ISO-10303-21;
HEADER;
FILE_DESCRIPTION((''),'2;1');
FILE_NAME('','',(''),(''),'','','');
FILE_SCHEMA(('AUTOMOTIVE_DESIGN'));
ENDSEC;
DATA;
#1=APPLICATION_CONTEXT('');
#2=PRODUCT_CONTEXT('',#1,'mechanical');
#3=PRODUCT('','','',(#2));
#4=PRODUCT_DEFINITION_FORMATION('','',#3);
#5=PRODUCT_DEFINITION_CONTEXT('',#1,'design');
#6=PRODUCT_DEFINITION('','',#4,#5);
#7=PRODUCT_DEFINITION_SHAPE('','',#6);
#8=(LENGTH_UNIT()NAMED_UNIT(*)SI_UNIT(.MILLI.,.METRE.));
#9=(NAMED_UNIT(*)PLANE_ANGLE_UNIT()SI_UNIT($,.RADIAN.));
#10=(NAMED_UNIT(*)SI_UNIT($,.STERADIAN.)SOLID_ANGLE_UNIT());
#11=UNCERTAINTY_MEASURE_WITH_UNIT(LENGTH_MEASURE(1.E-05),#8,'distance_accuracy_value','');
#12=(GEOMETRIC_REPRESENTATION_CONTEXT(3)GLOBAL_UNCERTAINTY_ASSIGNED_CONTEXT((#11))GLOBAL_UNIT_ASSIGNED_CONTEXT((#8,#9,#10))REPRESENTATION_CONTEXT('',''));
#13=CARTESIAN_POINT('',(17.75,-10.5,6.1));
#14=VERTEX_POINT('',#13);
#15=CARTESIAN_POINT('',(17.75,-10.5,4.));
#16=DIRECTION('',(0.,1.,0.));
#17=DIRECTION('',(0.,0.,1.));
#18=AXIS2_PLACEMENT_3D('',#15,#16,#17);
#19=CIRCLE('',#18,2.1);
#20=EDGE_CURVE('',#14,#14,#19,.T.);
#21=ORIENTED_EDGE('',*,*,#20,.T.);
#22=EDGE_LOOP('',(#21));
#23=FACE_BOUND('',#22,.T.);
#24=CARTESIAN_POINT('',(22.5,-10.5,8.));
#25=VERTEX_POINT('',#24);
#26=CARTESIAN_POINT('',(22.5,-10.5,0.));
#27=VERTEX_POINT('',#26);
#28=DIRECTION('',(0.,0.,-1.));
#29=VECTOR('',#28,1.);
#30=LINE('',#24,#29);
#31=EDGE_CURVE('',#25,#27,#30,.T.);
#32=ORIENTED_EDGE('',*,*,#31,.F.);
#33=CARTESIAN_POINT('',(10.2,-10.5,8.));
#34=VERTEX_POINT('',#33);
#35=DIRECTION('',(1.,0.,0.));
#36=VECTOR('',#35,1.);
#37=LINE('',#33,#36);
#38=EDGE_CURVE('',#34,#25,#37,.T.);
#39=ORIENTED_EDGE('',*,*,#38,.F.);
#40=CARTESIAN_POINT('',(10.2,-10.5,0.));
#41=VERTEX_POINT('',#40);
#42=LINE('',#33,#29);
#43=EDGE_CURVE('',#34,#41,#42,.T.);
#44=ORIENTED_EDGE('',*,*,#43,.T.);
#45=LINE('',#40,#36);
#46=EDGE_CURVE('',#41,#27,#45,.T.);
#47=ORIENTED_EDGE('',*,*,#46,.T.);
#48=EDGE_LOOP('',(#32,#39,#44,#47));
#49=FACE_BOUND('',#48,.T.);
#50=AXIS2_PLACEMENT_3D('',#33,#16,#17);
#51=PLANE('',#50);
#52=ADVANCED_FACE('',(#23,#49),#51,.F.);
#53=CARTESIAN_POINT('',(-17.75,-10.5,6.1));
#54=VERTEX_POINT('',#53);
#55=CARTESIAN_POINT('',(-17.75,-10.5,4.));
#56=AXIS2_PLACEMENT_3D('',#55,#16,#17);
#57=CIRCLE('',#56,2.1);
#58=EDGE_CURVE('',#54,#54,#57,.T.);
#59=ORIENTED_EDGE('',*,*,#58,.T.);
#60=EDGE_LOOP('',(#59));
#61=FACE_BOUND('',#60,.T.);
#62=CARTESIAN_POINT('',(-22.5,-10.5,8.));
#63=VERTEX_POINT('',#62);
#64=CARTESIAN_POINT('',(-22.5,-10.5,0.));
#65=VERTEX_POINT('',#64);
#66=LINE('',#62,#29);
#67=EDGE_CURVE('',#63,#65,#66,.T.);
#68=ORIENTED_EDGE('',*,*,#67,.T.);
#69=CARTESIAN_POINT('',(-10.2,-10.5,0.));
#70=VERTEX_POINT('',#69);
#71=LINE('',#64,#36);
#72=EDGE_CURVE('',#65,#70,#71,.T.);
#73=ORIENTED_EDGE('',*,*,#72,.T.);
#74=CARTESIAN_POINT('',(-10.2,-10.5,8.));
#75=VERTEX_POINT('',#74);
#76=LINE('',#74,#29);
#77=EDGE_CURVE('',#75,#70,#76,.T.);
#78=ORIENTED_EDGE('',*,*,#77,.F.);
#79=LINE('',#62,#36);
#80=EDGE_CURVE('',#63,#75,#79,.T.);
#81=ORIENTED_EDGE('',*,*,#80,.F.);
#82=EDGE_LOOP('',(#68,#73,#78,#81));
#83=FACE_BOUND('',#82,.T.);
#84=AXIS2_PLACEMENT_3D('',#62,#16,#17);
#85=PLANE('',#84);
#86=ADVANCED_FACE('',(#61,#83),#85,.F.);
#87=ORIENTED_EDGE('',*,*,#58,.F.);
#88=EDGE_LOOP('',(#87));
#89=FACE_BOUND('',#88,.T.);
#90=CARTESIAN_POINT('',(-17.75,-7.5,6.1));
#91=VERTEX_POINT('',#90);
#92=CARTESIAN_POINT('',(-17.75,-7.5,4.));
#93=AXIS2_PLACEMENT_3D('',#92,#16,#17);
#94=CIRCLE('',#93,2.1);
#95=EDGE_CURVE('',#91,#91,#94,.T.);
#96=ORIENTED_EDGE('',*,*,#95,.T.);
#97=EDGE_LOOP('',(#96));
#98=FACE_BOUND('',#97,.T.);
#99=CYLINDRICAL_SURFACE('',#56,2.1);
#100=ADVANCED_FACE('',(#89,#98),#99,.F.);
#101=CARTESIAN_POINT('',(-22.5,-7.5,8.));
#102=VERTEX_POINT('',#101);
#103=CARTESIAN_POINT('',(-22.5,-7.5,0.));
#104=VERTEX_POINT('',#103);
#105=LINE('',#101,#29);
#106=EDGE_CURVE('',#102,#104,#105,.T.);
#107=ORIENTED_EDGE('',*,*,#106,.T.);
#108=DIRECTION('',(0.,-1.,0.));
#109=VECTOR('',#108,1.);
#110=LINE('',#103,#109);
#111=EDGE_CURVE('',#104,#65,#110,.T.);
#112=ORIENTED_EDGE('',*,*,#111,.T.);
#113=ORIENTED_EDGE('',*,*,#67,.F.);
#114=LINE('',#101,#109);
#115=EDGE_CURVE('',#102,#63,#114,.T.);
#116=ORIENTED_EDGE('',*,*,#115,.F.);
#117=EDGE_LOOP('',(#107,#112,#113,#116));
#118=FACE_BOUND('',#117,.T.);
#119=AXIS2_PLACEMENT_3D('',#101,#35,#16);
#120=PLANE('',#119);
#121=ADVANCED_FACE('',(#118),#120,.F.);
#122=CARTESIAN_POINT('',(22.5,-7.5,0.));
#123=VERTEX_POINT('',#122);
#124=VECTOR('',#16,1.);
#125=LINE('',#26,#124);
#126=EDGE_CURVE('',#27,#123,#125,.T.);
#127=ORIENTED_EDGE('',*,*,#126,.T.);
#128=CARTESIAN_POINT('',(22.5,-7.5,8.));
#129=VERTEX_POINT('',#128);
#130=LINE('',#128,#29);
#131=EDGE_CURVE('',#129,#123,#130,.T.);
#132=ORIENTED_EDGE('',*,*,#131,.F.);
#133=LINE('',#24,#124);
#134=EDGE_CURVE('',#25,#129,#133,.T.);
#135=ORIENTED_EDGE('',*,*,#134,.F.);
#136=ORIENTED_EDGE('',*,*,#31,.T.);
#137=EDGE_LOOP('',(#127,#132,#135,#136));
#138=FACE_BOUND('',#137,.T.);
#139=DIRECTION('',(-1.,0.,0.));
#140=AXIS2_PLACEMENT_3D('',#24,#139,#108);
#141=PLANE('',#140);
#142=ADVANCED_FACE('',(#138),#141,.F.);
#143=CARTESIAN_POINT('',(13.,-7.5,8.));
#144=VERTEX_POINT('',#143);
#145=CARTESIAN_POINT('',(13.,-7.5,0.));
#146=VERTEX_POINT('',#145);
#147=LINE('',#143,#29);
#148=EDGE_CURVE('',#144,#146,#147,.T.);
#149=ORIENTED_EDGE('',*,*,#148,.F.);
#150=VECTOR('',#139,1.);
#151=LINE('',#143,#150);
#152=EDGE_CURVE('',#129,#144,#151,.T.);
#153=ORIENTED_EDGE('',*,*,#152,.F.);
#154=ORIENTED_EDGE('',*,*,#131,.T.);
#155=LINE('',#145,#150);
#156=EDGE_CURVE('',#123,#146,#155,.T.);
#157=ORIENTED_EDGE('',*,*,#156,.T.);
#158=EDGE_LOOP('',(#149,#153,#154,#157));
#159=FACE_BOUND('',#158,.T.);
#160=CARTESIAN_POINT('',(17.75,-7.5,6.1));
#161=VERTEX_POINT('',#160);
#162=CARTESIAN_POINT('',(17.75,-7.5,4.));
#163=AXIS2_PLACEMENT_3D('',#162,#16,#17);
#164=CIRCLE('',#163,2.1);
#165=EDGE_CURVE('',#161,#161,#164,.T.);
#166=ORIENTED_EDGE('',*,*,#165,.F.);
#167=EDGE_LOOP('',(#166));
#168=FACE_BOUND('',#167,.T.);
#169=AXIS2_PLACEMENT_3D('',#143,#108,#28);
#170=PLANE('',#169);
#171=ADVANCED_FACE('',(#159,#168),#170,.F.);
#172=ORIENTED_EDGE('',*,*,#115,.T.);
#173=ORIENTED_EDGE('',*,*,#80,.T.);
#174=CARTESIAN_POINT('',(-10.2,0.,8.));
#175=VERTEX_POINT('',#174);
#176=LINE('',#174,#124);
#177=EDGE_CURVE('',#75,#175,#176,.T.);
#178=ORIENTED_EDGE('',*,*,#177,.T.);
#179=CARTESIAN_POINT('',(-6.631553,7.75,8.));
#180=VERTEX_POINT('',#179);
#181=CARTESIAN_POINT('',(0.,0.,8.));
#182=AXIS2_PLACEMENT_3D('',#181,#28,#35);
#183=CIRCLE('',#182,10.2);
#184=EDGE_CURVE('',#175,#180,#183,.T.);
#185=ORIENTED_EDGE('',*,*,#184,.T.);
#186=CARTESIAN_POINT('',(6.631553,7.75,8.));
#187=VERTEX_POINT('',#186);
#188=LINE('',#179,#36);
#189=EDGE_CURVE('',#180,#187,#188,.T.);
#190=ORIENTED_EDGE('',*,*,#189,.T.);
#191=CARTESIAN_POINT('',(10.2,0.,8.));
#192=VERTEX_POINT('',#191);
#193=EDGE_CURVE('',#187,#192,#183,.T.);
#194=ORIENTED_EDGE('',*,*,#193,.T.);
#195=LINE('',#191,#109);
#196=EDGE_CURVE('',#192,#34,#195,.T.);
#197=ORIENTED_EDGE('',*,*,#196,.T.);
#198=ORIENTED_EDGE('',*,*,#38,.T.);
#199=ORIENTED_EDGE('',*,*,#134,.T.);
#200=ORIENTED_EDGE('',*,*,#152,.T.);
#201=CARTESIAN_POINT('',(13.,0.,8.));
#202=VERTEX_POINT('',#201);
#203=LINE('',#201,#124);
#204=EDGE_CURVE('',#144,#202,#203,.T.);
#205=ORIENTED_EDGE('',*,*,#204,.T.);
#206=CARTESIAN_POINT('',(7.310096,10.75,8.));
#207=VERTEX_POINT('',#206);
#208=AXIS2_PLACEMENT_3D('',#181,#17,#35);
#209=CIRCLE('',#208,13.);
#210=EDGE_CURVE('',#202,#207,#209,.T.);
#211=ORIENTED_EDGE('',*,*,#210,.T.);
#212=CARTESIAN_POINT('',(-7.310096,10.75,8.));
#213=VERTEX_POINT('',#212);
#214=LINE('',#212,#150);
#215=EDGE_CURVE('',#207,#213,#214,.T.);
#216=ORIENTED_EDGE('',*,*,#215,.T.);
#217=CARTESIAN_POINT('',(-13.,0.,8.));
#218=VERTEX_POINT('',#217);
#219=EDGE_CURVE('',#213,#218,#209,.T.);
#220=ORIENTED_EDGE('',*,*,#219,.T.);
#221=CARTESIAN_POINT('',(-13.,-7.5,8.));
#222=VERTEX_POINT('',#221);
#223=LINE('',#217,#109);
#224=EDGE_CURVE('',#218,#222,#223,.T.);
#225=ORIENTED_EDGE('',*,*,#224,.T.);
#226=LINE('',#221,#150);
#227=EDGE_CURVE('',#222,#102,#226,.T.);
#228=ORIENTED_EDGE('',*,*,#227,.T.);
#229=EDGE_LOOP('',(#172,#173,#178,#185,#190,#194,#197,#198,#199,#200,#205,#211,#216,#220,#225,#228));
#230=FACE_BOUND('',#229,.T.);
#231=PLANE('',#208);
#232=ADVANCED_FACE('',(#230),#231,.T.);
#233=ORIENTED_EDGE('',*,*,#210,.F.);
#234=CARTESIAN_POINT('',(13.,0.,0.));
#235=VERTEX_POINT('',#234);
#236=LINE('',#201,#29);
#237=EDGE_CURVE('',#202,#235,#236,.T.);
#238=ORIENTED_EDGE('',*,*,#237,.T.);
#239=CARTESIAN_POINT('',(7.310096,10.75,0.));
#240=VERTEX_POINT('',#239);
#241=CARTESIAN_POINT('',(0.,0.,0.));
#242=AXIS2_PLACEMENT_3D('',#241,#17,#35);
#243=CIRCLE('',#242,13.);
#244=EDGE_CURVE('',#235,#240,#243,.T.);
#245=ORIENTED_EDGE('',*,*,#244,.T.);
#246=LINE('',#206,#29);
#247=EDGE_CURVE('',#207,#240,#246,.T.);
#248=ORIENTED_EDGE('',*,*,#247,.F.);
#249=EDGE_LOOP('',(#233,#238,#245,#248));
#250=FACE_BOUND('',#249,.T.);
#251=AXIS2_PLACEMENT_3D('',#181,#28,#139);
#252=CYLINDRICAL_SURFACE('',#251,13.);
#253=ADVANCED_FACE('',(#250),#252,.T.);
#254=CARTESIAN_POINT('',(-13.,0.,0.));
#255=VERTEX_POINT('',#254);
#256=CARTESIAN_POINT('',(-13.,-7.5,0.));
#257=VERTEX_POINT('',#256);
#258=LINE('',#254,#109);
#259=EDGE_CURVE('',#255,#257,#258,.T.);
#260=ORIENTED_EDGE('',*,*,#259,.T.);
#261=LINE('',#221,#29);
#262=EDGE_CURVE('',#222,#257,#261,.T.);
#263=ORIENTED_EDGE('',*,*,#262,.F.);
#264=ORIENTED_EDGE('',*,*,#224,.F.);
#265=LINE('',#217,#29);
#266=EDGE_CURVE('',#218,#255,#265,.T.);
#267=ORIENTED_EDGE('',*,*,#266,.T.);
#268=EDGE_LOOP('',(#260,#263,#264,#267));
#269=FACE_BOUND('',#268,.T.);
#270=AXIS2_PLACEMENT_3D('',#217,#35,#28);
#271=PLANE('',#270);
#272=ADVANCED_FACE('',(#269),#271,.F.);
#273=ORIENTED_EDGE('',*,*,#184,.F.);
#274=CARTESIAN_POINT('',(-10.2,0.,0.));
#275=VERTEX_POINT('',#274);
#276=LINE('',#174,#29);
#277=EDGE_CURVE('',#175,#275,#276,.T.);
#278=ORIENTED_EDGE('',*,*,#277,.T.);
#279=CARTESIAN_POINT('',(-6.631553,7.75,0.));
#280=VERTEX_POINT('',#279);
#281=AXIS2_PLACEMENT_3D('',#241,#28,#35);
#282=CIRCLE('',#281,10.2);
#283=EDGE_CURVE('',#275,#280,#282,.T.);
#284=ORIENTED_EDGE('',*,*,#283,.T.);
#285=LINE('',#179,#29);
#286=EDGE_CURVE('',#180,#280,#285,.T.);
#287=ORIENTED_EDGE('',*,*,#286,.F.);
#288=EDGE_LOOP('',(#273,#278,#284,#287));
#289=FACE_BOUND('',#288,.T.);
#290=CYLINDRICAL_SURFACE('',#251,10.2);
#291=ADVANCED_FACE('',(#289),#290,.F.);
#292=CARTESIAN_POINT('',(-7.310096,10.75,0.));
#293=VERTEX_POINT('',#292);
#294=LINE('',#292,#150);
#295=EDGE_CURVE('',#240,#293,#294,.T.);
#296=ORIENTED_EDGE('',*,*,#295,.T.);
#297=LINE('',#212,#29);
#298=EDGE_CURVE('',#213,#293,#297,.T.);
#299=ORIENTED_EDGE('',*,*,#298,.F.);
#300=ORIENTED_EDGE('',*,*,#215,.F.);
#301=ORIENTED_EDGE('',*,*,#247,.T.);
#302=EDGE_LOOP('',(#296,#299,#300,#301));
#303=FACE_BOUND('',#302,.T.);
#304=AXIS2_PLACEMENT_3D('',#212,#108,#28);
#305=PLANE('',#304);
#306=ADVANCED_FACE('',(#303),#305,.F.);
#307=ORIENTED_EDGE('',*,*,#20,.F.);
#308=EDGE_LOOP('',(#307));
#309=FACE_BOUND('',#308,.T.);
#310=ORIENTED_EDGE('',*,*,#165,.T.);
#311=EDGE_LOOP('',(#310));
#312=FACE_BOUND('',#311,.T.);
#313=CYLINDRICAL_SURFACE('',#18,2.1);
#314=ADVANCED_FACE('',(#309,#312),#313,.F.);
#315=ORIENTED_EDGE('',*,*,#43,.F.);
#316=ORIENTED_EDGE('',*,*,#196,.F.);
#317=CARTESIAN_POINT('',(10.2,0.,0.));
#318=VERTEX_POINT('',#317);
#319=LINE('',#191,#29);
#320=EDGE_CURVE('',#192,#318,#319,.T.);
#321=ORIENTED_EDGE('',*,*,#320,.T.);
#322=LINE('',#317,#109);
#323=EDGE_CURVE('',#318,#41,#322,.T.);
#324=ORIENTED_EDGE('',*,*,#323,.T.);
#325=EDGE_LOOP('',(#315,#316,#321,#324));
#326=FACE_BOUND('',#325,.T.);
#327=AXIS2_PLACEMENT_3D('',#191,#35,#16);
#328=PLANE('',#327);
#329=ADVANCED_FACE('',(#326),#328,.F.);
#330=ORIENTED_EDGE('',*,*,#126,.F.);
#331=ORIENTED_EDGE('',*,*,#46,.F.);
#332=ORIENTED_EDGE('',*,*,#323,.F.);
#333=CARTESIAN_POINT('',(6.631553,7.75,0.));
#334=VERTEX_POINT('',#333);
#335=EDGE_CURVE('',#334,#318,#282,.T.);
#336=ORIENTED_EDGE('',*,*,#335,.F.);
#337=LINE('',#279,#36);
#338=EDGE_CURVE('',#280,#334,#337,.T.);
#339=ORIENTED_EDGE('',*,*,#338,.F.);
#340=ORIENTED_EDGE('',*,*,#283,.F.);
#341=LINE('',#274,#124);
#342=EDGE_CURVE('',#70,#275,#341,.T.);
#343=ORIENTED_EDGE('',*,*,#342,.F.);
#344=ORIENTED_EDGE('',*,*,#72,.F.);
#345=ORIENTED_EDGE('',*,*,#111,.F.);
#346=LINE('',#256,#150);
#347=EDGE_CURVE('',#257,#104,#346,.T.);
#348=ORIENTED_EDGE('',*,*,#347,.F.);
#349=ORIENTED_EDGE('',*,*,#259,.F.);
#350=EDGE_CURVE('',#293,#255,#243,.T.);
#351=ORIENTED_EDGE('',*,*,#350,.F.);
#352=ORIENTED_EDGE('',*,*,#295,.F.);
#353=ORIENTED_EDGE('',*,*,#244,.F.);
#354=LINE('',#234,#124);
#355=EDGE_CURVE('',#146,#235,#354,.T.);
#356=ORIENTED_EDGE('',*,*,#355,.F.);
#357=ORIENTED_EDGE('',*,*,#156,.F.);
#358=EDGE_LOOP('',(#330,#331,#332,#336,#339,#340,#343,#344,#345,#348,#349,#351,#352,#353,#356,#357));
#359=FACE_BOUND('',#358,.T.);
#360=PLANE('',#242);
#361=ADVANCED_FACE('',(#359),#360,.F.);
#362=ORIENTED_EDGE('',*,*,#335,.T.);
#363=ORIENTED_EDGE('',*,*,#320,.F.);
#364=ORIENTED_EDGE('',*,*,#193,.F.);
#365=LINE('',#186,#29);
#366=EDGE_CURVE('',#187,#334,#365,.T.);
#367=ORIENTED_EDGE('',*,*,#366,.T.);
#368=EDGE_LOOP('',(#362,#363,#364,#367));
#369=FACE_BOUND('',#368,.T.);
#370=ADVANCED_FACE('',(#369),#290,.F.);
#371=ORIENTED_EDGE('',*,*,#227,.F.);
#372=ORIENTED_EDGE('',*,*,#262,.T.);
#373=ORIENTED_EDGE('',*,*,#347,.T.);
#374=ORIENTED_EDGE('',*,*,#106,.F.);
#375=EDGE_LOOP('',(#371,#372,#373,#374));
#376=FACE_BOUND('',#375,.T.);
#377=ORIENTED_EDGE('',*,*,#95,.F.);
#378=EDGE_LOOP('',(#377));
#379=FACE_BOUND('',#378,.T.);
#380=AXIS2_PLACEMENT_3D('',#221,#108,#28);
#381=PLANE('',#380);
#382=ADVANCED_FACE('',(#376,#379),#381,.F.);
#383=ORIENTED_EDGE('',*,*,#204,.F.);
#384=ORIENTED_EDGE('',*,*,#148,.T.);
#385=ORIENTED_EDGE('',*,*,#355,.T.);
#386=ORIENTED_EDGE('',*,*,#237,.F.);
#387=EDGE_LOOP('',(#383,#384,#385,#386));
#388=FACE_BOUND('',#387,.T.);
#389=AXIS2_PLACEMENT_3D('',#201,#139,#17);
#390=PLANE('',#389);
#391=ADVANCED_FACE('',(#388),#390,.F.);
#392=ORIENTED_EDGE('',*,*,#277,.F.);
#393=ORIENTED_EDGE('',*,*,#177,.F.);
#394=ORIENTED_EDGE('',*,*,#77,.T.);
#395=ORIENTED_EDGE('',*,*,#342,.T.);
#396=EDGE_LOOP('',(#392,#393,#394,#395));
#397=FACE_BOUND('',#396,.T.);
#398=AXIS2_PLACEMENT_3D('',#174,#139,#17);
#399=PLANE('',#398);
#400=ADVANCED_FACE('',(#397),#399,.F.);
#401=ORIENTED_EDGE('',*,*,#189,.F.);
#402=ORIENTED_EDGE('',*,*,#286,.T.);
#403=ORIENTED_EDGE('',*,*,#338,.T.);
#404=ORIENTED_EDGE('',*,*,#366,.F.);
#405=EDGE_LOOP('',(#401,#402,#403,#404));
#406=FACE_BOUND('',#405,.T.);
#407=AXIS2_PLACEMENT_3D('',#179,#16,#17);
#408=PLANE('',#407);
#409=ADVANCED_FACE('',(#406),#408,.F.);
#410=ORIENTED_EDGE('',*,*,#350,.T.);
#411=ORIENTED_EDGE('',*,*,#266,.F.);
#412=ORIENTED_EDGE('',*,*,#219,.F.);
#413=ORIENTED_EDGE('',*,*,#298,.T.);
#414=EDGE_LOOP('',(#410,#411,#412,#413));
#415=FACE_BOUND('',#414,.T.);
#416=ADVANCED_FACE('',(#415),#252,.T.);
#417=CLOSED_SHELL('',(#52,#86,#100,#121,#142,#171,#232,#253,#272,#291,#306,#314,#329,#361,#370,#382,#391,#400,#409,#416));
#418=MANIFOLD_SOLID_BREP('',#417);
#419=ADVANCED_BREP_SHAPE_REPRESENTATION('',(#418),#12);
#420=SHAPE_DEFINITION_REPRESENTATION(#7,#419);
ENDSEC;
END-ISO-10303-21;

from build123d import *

# Parameters (mm, degrees)
CLAMP_DEPTH      = 8
SKETCH2_R        = 2.1
SCREW_HOLE_DEPTH = 31.055157627


with BuildPart() as part:
    # Sketch1 → Clamp (new body)
    with BuildSketch(Plane.XY):
        with BuildLine():
            Line((-6.631553363, 7.75), (6.631553363, 7.75))
            ThreePointArc((6.631553363, 7.75), (9.265037623, 4.266037723), (10.2, 0))
            Line((10.2, 0), (10.2, -10.5))
            Line((10.2, -10.5), (22.5, -10.5))
            Line((22.5, -10.5), (22.5, -7.5))
            Line((22.5, -7.5), (13, -7.5))
            Line((13, -7.5), (13, 0))
            ThreePointArc((13, 0), (11.489805152, 6.081478239), (7.310095759, 10.75))
            Line((7.310095759, 10.75), (-7.310095759, 10.75))
            ThreePointArc((-7.310095759, 10.75), (-11.489805152, 6.081478239), (-13, 0))
            Line((-13, 0), (-13, -7.5))
            Line((-13, -7.5), (-22.5, -7.5))
            Line((-22.5, -7.5), (-22.5, -10.5))
            Line((-22.5, -10.5), (-10.2, -10.5))
            Line((-10.2, -10.5), (-10.2, 0))
            ThreePointArc((-10.2, 0), (-9.265037623, 4.266037723), (-6.631553363, 7.75))
        make_face()
    extrude(amount=CLAMP_DEPTH)

    # Sketch2 → Screw Hole (cut, through all)
    with BuildSketch(Plane(origin=(0, -7.5, 0), x_dir=(1, 0, 0), z_dir=(0, 1, 0))):
        with Locations(Location((-17.75, -4, 0), (0, 0, 270))):
            Circle(SKETCH2_R)
        with Locations(Location((17.75, -4, 0), (0, 0, 270))):
            Circle(SKETCH2_R)
    extrude(amount=-SCREW_HOLE_DEPTH, mode=Mode.SUBTRACT)


solid = part.part
